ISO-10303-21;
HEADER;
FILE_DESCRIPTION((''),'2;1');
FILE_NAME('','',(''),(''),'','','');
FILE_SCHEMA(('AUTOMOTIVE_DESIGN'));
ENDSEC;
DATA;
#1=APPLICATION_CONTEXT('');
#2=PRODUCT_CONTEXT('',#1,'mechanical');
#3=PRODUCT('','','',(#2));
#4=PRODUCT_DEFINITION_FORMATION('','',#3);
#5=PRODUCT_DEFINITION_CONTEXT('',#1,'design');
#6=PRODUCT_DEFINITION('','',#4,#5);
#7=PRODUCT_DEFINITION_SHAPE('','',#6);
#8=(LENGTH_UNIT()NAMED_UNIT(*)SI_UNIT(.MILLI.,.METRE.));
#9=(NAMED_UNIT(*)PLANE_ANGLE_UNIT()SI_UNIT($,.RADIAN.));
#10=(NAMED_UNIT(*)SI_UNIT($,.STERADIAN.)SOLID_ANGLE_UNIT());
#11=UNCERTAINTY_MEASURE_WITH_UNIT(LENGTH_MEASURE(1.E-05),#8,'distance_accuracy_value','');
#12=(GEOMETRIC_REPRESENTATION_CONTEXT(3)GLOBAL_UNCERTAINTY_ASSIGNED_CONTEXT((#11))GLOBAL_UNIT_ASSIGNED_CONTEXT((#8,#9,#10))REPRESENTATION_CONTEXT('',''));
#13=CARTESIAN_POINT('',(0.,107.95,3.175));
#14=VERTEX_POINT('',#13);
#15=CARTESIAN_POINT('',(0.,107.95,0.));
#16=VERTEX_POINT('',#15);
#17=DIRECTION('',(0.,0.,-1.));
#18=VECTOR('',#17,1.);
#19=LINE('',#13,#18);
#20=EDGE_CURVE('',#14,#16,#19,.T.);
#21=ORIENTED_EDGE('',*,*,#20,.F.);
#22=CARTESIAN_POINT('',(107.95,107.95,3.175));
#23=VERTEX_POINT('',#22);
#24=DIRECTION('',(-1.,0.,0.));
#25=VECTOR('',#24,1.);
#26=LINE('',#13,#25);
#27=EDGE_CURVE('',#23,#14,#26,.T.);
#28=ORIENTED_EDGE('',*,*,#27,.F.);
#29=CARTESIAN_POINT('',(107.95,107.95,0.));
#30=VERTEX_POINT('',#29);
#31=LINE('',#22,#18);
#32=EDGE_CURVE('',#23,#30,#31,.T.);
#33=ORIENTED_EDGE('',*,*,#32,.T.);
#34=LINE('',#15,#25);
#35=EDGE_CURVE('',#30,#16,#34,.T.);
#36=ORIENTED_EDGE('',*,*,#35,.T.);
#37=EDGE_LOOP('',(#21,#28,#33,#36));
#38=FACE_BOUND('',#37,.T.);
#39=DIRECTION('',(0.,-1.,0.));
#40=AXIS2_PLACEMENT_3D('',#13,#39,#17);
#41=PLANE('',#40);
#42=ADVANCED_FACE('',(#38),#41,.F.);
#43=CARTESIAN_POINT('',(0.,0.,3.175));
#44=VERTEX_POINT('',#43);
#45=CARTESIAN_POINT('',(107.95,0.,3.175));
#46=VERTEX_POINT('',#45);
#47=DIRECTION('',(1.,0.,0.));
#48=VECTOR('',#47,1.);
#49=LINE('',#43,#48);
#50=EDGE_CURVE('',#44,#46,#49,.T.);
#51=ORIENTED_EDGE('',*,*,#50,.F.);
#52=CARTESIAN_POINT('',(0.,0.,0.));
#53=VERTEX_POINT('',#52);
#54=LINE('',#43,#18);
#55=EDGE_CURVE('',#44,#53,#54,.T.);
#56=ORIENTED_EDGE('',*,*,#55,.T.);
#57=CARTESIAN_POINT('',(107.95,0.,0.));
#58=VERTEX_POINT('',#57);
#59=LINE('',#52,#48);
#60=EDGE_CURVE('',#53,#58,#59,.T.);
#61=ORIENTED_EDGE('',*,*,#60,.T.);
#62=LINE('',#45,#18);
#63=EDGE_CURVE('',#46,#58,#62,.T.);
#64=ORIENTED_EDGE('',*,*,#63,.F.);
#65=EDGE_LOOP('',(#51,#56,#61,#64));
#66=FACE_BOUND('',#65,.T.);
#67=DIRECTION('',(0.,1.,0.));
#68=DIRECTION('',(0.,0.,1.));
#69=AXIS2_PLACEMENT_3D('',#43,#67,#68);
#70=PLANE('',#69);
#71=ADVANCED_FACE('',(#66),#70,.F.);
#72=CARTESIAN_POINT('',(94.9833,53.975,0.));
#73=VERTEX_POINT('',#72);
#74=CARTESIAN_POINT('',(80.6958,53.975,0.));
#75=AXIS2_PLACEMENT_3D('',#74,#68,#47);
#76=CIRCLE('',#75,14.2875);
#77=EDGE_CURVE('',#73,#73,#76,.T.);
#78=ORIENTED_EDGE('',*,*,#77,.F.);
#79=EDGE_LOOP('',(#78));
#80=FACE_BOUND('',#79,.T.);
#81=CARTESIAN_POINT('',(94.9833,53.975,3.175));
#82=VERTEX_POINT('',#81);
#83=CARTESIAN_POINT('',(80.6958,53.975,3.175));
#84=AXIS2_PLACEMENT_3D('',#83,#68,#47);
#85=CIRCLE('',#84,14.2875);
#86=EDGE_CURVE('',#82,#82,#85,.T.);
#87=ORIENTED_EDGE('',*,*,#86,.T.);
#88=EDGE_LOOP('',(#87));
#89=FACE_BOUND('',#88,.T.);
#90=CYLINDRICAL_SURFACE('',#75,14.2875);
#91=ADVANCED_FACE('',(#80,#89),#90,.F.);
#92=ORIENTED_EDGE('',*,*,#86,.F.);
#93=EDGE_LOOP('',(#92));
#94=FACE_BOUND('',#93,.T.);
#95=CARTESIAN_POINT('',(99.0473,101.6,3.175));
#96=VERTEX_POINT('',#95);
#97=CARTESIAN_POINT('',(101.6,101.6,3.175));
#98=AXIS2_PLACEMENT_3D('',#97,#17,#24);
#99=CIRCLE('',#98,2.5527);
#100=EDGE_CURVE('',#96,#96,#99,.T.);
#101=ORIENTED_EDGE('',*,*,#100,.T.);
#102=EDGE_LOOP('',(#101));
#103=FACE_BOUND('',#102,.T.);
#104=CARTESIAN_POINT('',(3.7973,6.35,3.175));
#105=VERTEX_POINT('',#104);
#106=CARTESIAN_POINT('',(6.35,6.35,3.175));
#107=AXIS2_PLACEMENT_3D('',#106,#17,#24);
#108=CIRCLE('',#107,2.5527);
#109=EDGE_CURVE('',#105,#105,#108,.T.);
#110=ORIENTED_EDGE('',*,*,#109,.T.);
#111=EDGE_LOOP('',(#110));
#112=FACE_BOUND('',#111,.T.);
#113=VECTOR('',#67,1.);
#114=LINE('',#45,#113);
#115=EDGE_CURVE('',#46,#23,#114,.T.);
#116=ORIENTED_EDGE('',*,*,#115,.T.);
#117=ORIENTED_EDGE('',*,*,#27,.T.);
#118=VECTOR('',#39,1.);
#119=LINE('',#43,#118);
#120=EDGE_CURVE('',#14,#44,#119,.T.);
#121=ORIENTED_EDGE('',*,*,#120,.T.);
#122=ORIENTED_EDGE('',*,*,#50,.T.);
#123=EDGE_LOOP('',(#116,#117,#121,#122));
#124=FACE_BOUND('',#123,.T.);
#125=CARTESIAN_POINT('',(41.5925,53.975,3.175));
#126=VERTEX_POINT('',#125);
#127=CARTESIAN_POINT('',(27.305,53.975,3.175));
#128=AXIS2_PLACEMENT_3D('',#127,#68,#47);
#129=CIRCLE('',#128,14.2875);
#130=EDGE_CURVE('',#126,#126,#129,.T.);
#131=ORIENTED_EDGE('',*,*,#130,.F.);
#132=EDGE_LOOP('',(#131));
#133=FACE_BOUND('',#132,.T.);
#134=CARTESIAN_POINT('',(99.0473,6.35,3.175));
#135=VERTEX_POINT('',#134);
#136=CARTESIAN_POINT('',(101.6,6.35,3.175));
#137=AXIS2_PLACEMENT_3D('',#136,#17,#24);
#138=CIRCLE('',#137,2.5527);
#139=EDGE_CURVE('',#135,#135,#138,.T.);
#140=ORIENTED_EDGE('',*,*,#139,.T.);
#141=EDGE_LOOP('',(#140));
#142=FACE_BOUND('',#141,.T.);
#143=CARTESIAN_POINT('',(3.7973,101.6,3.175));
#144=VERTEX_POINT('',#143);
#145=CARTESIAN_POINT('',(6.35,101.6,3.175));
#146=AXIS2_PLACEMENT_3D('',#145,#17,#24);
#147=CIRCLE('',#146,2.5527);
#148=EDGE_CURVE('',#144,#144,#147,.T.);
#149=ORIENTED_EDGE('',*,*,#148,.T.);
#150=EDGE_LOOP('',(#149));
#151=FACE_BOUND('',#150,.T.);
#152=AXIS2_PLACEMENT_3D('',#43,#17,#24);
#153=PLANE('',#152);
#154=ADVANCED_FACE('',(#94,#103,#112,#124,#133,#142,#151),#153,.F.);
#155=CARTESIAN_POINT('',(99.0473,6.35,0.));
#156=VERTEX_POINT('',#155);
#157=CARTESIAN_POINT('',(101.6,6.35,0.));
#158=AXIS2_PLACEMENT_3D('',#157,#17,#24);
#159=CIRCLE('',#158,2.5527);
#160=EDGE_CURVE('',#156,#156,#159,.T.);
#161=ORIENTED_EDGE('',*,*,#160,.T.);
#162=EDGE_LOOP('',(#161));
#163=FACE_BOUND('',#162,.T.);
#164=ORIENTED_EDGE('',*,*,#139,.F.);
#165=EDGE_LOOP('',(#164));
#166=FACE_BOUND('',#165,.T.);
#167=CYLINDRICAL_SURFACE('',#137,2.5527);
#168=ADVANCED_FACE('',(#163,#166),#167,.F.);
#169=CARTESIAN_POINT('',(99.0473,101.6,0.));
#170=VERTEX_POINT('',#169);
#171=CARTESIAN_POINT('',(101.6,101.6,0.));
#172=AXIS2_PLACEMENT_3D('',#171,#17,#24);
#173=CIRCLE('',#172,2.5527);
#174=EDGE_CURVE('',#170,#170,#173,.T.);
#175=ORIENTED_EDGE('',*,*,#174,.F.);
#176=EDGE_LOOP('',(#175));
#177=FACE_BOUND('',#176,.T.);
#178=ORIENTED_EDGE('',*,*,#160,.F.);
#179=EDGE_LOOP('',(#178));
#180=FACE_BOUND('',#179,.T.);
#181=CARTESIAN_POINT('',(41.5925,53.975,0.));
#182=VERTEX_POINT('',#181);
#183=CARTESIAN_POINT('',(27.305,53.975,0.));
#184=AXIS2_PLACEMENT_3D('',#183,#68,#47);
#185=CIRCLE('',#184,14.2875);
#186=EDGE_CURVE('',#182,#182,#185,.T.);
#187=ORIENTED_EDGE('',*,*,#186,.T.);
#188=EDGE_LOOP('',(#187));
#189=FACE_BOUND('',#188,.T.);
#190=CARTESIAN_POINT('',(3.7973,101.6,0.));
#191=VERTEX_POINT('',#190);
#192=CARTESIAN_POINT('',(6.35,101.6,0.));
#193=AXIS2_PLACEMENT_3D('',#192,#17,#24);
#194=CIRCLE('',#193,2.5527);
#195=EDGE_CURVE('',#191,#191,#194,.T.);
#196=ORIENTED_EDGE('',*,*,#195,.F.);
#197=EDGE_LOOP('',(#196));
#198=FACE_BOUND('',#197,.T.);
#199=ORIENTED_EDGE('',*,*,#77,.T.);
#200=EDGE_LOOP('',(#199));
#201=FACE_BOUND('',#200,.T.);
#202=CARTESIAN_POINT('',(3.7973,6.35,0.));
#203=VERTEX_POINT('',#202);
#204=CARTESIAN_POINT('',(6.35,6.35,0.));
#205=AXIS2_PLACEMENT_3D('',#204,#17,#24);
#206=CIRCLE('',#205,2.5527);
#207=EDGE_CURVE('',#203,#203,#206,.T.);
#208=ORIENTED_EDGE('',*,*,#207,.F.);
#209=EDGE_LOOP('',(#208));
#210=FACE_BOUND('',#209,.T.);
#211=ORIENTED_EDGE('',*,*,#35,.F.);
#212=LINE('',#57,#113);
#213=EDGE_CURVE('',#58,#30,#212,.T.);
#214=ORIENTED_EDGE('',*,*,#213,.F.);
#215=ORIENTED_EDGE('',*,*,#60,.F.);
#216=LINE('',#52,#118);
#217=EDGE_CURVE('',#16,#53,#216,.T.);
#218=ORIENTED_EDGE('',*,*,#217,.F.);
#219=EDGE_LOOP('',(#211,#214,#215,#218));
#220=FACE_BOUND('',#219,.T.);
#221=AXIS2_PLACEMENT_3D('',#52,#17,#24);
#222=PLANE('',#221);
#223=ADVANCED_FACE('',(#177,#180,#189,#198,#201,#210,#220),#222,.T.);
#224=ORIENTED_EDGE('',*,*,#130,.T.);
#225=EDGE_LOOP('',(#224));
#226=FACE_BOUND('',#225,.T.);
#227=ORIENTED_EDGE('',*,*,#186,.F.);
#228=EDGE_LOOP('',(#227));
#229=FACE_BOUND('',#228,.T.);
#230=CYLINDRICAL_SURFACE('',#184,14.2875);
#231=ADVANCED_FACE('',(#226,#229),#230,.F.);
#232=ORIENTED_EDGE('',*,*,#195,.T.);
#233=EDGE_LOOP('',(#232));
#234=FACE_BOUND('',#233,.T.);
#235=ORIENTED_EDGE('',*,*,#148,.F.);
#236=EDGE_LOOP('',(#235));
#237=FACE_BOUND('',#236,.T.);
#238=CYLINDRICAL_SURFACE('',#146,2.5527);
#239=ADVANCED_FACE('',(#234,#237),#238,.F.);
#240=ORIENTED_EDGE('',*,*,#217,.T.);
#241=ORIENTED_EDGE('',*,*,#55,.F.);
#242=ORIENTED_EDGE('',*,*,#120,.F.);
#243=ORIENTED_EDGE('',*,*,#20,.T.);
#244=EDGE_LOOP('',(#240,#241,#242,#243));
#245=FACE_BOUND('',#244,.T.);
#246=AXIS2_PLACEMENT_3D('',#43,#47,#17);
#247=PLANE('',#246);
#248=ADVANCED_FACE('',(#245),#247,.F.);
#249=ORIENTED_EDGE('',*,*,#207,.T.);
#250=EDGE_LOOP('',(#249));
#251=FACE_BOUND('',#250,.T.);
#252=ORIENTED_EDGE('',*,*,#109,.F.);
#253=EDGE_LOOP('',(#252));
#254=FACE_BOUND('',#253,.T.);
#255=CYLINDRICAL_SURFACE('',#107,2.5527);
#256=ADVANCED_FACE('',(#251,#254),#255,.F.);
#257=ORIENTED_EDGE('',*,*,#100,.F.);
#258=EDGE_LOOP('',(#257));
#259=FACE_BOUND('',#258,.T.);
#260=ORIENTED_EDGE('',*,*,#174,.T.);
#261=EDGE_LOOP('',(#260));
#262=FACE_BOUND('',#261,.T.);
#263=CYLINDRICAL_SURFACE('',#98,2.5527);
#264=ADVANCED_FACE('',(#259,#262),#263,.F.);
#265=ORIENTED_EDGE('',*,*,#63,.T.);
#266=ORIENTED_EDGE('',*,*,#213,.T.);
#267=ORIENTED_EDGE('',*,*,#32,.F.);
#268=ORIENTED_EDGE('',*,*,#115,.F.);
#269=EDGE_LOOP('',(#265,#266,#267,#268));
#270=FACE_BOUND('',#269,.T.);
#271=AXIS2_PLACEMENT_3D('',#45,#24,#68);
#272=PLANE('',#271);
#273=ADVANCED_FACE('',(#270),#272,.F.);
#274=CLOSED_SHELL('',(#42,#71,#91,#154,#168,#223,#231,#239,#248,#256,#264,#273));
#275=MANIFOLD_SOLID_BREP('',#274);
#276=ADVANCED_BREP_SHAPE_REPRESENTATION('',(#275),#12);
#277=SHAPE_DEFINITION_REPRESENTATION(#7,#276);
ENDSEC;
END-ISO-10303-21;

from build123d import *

# Parameters (mm, degrees)
SKETCH1_W           = 107.95
SKETCH1_H           = 107.95
BOSS_EXTRUDE1_DEPTH = 3.175
SKETCH2_R           = 2.5527
CUT_EXTRUDE1_DEPTH  = 3.175
SKETCH3_R           = 14.2875
CUT_EXTRUDE2_DEPTH  = 3.175


with BuildPart() as part:
    # Sketch1 → Boss-Extrude1 (new body)
    with BuildSketch(Plane.XY):
        with Locations((53.975, 53.975)):
            Rectangle(SKETCH1_W, SKETCH1_H)
    extrude(amount=BOSS_EXTRUDE1_DEPTH)

    # Sketch2 → Cut-Extrude1 (cut)
    with BuildSketch(Plane(origin=(0, 0, 0), x_dir=(-1, 0, 0), z_dir=(0, 0, -1))):
        with Locations((-6.35, 101.6)):
            Circle(SKETCH2_R)
        with Locations((-101.6, 101.6)):
            Circle(SKETCH2_R)
        with Locations((-101.6, 6.35)):
            Circle(SKETCH2_R)
        with Locations((-6.35, 6.35)):
            Circle(SKETCH2_R)
    extrude(amount=-CUT_EXTRUDE1_DEPTH, mode=Mode.SUBTRACT)

    # Sketch3 → Cut-Extrude2 (cut)
    with BuildSketch(Plane.XY.offset(3.175)):
        with Locations((27.305, 53.975)):
            Circle(SKETCH3_R)
        with Locations((80.6958, 53.975)):
            Circle(SKETCH3_R)
    extrude(amount=-CUT_EXTRUDE2_DEPTH, mode=Mode.SUBTRACT)


solid = part.part
